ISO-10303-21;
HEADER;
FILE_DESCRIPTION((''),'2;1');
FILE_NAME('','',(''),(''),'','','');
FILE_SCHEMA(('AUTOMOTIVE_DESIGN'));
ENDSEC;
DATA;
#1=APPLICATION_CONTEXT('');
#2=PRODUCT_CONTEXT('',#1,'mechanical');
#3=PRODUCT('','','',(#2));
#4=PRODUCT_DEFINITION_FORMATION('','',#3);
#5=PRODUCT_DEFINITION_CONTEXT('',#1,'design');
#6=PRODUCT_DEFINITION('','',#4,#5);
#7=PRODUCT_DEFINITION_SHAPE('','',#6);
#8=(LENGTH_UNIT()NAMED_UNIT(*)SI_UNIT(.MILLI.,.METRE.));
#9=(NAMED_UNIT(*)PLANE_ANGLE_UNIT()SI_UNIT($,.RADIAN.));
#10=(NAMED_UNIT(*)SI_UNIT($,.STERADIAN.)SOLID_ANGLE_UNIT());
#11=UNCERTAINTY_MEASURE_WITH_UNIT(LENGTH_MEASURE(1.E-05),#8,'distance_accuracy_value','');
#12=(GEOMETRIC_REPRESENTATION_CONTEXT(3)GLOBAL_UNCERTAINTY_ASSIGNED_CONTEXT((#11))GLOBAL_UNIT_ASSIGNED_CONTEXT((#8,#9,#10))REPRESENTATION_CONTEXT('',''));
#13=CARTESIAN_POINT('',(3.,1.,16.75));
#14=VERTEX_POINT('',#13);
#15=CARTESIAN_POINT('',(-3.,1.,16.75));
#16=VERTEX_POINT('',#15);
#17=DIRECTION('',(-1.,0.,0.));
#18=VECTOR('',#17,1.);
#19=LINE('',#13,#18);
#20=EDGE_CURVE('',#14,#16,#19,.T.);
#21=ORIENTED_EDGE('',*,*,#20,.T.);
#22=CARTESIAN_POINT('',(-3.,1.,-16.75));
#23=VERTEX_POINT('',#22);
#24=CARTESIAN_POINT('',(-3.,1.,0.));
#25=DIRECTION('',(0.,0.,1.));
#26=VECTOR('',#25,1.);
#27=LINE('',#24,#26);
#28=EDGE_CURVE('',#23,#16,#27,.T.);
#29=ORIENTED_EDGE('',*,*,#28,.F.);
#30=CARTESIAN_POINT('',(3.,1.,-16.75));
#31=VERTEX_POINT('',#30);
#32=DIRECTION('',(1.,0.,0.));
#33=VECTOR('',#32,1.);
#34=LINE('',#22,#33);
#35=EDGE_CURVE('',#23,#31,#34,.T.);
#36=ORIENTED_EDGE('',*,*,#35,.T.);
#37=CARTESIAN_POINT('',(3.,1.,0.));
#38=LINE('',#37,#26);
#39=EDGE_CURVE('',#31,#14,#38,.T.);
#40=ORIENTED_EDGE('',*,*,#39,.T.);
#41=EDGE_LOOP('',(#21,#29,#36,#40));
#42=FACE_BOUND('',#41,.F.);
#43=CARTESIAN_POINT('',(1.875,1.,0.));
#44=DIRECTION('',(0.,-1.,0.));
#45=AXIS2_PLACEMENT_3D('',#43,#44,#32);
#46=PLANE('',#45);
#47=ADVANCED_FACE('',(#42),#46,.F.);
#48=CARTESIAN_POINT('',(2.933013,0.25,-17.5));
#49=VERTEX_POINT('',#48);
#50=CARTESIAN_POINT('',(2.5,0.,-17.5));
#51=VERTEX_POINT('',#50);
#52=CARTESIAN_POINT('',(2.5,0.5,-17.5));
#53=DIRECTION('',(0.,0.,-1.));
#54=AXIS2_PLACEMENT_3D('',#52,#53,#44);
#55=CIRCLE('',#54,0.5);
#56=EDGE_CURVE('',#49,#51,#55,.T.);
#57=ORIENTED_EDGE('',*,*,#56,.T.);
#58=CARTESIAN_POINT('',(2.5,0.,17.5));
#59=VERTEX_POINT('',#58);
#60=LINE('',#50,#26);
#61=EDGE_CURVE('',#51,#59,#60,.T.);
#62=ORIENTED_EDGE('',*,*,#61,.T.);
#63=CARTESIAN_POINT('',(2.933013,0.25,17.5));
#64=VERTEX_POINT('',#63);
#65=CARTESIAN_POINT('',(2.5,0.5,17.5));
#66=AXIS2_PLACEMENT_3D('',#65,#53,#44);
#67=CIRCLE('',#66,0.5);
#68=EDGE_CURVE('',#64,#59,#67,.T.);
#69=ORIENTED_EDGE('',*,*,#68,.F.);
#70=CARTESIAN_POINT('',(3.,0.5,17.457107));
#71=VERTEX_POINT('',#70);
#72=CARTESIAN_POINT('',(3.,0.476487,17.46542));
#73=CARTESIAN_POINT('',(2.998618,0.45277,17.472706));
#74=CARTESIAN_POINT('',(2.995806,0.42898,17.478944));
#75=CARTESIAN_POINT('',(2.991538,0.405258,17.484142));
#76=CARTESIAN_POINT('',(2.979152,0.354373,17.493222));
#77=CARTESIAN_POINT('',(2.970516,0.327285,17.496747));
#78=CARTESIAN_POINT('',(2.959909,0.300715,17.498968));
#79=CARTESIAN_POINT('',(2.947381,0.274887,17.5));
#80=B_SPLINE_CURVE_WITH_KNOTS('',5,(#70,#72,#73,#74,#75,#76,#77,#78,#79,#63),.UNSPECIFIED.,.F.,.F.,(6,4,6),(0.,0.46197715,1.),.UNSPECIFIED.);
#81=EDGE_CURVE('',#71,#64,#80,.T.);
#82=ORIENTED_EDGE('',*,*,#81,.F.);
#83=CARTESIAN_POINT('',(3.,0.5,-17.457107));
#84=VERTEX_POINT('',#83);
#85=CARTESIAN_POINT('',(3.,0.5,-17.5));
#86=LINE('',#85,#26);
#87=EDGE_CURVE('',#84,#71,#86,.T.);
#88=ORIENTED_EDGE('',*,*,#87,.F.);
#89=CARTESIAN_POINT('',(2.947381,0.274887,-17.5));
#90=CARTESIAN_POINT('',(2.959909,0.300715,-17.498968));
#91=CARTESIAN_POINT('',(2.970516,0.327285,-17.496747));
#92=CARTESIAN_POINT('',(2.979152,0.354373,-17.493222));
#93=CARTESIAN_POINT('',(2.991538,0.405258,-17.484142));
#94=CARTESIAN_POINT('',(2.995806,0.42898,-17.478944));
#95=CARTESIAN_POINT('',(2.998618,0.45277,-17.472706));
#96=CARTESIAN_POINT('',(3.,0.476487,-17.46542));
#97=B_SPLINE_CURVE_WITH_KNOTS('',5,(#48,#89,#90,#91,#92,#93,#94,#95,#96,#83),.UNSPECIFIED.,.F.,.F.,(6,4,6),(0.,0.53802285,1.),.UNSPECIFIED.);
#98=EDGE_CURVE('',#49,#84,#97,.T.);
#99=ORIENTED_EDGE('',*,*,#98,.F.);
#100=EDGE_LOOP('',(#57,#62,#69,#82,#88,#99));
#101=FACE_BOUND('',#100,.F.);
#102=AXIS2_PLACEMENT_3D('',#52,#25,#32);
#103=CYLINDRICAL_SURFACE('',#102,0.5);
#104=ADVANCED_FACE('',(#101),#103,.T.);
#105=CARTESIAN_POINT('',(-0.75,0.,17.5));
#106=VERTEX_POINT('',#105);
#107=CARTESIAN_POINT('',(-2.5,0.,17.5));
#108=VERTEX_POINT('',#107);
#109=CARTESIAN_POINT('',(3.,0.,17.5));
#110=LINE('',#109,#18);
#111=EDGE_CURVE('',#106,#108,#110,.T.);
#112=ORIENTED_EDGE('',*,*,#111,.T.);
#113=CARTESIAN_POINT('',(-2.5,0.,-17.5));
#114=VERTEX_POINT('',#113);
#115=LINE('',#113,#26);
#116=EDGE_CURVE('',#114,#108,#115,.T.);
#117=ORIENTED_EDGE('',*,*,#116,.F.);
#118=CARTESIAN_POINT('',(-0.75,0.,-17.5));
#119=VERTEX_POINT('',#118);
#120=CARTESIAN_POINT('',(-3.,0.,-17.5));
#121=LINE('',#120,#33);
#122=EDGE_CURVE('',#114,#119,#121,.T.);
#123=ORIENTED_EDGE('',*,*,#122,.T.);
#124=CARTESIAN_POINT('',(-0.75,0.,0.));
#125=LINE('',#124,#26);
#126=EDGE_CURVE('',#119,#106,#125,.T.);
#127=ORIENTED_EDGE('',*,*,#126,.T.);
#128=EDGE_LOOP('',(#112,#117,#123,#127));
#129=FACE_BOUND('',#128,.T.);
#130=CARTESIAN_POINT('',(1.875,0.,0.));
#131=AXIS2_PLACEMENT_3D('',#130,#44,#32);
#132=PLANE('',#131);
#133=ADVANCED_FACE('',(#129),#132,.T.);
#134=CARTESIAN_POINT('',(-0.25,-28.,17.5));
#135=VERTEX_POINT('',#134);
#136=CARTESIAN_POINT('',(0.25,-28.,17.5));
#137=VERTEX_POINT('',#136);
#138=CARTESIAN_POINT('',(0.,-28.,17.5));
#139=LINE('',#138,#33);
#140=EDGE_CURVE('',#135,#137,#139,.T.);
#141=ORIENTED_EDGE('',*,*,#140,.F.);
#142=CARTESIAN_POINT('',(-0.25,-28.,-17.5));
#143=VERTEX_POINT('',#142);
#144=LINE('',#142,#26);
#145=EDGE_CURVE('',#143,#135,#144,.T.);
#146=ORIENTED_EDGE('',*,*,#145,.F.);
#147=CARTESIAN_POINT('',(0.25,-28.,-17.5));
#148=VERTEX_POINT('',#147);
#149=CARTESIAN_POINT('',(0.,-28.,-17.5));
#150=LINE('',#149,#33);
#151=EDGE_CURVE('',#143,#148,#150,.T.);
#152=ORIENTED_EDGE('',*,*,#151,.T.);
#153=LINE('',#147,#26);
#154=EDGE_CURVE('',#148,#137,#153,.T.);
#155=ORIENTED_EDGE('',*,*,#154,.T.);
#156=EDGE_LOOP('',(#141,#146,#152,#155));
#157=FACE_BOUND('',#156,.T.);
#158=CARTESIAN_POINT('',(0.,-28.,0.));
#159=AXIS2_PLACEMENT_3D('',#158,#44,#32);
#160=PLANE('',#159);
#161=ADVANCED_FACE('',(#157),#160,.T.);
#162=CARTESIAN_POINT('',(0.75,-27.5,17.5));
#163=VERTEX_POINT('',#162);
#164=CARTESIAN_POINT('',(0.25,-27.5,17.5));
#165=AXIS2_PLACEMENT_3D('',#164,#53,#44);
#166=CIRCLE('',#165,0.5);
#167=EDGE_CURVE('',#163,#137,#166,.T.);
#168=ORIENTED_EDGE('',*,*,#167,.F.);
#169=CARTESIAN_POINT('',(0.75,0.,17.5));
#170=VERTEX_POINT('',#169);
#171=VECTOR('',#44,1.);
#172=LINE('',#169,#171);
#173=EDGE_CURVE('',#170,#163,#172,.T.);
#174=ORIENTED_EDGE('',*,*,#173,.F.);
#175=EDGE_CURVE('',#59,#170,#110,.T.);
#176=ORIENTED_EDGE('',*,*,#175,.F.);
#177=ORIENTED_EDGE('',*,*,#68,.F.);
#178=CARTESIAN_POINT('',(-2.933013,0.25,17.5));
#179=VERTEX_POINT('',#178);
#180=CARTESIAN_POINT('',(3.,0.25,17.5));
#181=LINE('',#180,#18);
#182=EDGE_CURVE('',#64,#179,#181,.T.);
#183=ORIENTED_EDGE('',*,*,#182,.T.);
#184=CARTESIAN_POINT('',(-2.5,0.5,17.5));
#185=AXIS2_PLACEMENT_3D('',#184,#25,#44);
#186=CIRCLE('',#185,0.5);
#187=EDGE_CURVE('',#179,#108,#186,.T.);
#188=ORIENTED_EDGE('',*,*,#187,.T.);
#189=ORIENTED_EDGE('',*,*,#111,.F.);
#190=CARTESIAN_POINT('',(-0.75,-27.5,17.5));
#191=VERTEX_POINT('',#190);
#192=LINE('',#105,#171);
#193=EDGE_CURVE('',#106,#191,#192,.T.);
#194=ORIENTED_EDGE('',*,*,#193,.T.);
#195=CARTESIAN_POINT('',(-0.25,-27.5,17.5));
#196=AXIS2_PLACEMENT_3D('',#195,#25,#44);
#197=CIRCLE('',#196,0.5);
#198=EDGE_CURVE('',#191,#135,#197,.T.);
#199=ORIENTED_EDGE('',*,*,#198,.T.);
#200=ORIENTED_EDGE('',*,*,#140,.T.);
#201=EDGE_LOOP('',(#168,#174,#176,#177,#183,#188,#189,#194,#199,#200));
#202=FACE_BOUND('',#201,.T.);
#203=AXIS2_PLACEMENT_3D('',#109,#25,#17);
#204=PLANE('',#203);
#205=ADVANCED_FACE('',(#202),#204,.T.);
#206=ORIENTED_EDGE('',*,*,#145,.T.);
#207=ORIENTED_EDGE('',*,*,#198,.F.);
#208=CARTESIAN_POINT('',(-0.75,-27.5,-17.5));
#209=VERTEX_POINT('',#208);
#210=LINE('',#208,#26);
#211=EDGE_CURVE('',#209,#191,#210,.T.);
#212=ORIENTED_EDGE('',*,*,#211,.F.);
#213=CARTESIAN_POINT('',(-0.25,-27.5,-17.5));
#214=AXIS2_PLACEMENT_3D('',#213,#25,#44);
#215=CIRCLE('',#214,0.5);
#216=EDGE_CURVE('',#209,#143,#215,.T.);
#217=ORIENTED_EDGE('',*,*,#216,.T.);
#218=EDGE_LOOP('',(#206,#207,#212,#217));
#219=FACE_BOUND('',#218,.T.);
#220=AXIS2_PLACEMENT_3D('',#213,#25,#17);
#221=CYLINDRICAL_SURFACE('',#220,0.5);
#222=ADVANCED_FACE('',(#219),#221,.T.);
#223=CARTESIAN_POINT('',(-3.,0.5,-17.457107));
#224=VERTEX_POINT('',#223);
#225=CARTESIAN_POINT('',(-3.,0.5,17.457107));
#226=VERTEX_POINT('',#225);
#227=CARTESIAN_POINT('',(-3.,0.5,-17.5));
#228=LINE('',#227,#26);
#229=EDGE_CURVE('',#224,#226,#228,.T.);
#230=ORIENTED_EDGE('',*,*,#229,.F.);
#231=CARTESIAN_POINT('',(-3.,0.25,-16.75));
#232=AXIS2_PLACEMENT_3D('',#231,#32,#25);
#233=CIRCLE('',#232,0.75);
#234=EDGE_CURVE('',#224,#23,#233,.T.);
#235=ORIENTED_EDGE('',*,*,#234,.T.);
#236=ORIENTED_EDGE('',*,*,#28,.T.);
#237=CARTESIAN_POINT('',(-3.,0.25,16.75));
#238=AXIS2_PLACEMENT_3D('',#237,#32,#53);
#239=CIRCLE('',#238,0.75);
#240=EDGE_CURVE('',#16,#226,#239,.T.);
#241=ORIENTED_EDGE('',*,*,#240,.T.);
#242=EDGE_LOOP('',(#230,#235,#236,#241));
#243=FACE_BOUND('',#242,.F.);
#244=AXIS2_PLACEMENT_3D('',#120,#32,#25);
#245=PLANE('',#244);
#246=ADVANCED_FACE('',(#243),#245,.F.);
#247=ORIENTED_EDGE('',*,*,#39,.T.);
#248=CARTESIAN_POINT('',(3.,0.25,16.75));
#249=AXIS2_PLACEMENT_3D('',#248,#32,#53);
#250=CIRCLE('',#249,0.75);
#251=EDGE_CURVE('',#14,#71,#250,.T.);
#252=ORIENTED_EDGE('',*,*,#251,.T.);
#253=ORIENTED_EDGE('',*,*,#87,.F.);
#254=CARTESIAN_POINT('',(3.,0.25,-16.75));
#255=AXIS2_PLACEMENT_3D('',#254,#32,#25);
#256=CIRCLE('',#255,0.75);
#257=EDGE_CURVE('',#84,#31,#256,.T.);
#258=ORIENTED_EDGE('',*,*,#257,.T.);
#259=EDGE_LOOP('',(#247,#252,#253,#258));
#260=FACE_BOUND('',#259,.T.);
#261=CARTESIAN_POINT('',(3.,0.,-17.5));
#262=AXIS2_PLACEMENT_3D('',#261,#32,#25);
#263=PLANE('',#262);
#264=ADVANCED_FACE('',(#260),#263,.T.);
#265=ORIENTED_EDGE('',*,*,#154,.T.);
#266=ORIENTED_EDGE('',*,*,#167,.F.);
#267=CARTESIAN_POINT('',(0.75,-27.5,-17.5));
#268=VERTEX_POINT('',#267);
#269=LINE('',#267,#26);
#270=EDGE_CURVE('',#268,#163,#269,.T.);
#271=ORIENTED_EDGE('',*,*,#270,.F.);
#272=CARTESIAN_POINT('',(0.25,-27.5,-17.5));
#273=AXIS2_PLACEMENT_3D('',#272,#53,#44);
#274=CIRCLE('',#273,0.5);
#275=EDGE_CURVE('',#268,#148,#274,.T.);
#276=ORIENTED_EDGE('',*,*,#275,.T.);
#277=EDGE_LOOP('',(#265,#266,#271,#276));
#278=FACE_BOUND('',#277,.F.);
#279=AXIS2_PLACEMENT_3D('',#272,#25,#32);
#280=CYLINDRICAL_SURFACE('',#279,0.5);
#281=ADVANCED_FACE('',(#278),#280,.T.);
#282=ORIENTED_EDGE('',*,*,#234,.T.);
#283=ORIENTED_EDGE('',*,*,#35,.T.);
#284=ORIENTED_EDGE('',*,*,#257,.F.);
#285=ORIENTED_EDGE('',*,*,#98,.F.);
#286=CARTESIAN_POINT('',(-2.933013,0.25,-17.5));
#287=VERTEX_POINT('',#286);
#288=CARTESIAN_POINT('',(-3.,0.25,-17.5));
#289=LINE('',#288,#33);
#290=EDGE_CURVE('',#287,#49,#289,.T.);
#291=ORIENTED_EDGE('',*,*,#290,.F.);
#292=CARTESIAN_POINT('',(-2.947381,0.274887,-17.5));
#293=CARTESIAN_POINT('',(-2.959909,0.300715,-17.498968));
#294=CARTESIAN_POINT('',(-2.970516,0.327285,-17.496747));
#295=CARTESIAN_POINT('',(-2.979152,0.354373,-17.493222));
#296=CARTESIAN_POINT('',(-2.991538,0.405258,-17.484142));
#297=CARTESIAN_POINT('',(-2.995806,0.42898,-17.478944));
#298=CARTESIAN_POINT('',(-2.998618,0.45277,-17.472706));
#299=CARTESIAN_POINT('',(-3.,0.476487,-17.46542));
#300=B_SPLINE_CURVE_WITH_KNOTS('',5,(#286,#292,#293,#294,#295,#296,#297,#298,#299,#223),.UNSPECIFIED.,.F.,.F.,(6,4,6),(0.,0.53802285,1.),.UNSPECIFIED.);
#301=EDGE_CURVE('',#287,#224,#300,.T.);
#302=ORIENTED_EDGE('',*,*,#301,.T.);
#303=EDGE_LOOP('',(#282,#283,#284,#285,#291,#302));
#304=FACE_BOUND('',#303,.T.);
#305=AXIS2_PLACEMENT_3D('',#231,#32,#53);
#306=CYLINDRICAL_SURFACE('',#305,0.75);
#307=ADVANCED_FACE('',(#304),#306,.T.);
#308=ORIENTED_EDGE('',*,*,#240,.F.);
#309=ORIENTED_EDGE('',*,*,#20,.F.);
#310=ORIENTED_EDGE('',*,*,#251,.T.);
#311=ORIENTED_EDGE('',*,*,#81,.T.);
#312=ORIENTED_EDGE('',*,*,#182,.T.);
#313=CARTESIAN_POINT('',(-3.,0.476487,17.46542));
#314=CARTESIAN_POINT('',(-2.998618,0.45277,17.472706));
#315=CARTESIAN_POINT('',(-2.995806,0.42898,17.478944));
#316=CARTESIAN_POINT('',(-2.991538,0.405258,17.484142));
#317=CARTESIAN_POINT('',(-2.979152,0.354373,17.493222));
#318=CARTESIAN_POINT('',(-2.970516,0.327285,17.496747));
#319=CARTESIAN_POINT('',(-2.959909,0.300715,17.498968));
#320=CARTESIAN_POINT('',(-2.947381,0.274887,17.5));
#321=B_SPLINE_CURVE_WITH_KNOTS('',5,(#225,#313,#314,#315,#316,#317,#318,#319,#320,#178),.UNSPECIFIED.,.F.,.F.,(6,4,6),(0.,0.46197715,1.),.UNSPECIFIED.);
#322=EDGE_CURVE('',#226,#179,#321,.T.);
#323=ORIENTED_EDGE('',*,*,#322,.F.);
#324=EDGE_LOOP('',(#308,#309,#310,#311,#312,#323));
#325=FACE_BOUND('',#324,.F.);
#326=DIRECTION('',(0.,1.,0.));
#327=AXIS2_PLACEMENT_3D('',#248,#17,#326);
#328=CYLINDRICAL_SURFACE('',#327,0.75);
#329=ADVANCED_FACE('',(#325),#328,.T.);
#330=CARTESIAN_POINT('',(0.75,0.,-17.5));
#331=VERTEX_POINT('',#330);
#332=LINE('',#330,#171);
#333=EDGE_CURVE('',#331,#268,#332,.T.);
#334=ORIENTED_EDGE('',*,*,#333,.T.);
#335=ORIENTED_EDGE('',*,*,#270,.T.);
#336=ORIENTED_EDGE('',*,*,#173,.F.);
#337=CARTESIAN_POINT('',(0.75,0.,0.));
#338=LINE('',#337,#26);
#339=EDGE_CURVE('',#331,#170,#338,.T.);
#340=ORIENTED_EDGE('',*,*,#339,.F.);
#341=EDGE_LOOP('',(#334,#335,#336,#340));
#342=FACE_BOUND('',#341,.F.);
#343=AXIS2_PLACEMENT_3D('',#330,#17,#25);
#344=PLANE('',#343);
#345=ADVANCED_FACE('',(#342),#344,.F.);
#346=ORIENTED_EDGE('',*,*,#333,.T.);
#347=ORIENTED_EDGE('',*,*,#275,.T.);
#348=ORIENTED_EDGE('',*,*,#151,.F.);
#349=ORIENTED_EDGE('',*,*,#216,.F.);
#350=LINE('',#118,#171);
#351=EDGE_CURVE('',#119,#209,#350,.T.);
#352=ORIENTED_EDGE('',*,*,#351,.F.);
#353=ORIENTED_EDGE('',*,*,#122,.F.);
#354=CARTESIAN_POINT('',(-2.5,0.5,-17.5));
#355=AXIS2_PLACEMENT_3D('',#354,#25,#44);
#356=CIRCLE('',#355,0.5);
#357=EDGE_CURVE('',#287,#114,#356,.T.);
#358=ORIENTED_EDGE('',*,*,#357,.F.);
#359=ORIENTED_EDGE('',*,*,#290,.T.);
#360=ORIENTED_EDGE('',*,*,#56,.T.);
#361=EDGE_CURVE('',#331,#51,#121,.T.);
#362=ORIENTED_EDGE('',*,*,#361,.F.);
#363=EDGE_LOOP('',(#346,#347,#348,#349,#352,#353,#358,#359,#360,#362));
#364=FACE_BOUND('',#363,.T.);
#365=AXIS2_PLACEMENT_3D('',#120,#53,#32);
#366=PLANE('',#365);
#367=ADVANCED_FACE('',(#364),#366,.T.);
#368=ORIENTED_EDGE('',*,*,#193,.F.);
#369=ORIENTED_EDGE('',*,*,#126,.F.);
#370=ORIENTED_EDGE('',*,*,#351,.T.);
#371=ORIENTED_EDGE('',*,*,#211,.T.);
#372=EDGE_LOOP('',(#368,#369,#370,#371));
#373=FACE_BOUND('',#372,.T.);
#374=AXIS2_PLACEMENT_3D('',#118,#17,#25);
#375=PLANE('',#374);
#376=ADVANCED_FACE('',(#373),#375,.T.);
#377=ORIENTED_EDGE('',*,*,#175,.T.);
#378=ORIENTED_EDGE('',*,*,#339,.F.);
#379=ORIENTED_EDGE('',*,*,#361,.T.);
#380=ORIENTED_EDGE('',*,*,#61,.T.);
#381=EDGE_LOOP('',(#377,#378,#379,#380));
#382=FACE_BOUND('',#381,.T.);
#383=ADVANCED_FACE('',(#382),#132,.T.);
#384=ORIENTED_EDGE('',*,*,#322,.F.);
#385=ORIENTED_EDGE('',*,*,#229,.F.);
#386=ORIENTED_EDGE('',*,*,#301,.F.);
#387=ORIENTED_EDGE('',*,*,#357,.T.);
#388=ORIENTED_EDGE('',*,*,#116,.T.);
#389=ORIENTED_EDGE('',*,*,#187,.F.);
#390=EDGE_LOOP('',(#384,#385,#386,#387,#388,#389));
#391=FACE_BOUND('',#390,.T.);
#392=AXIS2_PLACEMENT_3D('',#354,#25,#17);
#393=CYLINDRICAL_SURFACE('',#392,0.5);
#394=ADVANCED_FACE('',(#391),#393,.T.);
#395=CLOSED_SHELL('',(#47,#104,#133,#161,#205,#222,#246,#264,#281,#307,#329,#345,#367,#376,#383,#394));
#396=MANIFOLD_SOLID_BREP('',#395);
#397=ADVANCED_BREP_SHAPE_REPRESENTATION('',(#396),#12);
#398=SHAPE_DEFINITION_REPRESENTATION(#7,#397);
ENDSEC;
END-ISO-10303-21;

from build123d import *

# Parameters (mm, degrees)
F0_W     = 2.25
F0_H     = 35
F0_W_2   = 1.5
F1_DEPTH = 1
F2_DEPTH = 28
F3_R     = 0.5
F4_R     = 0.75


with BuildPart() as f1:
    # F0 (on Front) → F1 (new body)
    with BuildSketch(Plane.XZ):
        with Locations((1.875, 0)):
            Rectangle(F0_W, F0_H)
        Rectangle(F0_W_2, F0_H)
        with Locations((-1.875, 0)):
            Rectangle(F0_W, F0_H)
    extrude(amount=-F1_DEPTH)

    # F0 (on Front) → F2 (join)
    with BuildSketch(Plane.XZ):
        Rectangle(F0_W_2, F0_H)
    extrude(amount=F2_DEPTH)

    # F3
    f3_edges = [f1.edges().sort_by_distance(p)[0] for p in [
        (-3, 0, 0),
        (3, 0, 0),
        (-0.75, -28, 0),
        (0.75, -28, 0),
    ]]
    fillet(f3_edges, radius=F3_R)

    # F4
    f4_edges = [f1.edges().sort_by_distance(p)[0] for p in [
        (0, 1, 17.5),
        (0, 1, -17.5),
    ]]
    fillet(f4_edges, radius=F4_R)


solid = f1.part
